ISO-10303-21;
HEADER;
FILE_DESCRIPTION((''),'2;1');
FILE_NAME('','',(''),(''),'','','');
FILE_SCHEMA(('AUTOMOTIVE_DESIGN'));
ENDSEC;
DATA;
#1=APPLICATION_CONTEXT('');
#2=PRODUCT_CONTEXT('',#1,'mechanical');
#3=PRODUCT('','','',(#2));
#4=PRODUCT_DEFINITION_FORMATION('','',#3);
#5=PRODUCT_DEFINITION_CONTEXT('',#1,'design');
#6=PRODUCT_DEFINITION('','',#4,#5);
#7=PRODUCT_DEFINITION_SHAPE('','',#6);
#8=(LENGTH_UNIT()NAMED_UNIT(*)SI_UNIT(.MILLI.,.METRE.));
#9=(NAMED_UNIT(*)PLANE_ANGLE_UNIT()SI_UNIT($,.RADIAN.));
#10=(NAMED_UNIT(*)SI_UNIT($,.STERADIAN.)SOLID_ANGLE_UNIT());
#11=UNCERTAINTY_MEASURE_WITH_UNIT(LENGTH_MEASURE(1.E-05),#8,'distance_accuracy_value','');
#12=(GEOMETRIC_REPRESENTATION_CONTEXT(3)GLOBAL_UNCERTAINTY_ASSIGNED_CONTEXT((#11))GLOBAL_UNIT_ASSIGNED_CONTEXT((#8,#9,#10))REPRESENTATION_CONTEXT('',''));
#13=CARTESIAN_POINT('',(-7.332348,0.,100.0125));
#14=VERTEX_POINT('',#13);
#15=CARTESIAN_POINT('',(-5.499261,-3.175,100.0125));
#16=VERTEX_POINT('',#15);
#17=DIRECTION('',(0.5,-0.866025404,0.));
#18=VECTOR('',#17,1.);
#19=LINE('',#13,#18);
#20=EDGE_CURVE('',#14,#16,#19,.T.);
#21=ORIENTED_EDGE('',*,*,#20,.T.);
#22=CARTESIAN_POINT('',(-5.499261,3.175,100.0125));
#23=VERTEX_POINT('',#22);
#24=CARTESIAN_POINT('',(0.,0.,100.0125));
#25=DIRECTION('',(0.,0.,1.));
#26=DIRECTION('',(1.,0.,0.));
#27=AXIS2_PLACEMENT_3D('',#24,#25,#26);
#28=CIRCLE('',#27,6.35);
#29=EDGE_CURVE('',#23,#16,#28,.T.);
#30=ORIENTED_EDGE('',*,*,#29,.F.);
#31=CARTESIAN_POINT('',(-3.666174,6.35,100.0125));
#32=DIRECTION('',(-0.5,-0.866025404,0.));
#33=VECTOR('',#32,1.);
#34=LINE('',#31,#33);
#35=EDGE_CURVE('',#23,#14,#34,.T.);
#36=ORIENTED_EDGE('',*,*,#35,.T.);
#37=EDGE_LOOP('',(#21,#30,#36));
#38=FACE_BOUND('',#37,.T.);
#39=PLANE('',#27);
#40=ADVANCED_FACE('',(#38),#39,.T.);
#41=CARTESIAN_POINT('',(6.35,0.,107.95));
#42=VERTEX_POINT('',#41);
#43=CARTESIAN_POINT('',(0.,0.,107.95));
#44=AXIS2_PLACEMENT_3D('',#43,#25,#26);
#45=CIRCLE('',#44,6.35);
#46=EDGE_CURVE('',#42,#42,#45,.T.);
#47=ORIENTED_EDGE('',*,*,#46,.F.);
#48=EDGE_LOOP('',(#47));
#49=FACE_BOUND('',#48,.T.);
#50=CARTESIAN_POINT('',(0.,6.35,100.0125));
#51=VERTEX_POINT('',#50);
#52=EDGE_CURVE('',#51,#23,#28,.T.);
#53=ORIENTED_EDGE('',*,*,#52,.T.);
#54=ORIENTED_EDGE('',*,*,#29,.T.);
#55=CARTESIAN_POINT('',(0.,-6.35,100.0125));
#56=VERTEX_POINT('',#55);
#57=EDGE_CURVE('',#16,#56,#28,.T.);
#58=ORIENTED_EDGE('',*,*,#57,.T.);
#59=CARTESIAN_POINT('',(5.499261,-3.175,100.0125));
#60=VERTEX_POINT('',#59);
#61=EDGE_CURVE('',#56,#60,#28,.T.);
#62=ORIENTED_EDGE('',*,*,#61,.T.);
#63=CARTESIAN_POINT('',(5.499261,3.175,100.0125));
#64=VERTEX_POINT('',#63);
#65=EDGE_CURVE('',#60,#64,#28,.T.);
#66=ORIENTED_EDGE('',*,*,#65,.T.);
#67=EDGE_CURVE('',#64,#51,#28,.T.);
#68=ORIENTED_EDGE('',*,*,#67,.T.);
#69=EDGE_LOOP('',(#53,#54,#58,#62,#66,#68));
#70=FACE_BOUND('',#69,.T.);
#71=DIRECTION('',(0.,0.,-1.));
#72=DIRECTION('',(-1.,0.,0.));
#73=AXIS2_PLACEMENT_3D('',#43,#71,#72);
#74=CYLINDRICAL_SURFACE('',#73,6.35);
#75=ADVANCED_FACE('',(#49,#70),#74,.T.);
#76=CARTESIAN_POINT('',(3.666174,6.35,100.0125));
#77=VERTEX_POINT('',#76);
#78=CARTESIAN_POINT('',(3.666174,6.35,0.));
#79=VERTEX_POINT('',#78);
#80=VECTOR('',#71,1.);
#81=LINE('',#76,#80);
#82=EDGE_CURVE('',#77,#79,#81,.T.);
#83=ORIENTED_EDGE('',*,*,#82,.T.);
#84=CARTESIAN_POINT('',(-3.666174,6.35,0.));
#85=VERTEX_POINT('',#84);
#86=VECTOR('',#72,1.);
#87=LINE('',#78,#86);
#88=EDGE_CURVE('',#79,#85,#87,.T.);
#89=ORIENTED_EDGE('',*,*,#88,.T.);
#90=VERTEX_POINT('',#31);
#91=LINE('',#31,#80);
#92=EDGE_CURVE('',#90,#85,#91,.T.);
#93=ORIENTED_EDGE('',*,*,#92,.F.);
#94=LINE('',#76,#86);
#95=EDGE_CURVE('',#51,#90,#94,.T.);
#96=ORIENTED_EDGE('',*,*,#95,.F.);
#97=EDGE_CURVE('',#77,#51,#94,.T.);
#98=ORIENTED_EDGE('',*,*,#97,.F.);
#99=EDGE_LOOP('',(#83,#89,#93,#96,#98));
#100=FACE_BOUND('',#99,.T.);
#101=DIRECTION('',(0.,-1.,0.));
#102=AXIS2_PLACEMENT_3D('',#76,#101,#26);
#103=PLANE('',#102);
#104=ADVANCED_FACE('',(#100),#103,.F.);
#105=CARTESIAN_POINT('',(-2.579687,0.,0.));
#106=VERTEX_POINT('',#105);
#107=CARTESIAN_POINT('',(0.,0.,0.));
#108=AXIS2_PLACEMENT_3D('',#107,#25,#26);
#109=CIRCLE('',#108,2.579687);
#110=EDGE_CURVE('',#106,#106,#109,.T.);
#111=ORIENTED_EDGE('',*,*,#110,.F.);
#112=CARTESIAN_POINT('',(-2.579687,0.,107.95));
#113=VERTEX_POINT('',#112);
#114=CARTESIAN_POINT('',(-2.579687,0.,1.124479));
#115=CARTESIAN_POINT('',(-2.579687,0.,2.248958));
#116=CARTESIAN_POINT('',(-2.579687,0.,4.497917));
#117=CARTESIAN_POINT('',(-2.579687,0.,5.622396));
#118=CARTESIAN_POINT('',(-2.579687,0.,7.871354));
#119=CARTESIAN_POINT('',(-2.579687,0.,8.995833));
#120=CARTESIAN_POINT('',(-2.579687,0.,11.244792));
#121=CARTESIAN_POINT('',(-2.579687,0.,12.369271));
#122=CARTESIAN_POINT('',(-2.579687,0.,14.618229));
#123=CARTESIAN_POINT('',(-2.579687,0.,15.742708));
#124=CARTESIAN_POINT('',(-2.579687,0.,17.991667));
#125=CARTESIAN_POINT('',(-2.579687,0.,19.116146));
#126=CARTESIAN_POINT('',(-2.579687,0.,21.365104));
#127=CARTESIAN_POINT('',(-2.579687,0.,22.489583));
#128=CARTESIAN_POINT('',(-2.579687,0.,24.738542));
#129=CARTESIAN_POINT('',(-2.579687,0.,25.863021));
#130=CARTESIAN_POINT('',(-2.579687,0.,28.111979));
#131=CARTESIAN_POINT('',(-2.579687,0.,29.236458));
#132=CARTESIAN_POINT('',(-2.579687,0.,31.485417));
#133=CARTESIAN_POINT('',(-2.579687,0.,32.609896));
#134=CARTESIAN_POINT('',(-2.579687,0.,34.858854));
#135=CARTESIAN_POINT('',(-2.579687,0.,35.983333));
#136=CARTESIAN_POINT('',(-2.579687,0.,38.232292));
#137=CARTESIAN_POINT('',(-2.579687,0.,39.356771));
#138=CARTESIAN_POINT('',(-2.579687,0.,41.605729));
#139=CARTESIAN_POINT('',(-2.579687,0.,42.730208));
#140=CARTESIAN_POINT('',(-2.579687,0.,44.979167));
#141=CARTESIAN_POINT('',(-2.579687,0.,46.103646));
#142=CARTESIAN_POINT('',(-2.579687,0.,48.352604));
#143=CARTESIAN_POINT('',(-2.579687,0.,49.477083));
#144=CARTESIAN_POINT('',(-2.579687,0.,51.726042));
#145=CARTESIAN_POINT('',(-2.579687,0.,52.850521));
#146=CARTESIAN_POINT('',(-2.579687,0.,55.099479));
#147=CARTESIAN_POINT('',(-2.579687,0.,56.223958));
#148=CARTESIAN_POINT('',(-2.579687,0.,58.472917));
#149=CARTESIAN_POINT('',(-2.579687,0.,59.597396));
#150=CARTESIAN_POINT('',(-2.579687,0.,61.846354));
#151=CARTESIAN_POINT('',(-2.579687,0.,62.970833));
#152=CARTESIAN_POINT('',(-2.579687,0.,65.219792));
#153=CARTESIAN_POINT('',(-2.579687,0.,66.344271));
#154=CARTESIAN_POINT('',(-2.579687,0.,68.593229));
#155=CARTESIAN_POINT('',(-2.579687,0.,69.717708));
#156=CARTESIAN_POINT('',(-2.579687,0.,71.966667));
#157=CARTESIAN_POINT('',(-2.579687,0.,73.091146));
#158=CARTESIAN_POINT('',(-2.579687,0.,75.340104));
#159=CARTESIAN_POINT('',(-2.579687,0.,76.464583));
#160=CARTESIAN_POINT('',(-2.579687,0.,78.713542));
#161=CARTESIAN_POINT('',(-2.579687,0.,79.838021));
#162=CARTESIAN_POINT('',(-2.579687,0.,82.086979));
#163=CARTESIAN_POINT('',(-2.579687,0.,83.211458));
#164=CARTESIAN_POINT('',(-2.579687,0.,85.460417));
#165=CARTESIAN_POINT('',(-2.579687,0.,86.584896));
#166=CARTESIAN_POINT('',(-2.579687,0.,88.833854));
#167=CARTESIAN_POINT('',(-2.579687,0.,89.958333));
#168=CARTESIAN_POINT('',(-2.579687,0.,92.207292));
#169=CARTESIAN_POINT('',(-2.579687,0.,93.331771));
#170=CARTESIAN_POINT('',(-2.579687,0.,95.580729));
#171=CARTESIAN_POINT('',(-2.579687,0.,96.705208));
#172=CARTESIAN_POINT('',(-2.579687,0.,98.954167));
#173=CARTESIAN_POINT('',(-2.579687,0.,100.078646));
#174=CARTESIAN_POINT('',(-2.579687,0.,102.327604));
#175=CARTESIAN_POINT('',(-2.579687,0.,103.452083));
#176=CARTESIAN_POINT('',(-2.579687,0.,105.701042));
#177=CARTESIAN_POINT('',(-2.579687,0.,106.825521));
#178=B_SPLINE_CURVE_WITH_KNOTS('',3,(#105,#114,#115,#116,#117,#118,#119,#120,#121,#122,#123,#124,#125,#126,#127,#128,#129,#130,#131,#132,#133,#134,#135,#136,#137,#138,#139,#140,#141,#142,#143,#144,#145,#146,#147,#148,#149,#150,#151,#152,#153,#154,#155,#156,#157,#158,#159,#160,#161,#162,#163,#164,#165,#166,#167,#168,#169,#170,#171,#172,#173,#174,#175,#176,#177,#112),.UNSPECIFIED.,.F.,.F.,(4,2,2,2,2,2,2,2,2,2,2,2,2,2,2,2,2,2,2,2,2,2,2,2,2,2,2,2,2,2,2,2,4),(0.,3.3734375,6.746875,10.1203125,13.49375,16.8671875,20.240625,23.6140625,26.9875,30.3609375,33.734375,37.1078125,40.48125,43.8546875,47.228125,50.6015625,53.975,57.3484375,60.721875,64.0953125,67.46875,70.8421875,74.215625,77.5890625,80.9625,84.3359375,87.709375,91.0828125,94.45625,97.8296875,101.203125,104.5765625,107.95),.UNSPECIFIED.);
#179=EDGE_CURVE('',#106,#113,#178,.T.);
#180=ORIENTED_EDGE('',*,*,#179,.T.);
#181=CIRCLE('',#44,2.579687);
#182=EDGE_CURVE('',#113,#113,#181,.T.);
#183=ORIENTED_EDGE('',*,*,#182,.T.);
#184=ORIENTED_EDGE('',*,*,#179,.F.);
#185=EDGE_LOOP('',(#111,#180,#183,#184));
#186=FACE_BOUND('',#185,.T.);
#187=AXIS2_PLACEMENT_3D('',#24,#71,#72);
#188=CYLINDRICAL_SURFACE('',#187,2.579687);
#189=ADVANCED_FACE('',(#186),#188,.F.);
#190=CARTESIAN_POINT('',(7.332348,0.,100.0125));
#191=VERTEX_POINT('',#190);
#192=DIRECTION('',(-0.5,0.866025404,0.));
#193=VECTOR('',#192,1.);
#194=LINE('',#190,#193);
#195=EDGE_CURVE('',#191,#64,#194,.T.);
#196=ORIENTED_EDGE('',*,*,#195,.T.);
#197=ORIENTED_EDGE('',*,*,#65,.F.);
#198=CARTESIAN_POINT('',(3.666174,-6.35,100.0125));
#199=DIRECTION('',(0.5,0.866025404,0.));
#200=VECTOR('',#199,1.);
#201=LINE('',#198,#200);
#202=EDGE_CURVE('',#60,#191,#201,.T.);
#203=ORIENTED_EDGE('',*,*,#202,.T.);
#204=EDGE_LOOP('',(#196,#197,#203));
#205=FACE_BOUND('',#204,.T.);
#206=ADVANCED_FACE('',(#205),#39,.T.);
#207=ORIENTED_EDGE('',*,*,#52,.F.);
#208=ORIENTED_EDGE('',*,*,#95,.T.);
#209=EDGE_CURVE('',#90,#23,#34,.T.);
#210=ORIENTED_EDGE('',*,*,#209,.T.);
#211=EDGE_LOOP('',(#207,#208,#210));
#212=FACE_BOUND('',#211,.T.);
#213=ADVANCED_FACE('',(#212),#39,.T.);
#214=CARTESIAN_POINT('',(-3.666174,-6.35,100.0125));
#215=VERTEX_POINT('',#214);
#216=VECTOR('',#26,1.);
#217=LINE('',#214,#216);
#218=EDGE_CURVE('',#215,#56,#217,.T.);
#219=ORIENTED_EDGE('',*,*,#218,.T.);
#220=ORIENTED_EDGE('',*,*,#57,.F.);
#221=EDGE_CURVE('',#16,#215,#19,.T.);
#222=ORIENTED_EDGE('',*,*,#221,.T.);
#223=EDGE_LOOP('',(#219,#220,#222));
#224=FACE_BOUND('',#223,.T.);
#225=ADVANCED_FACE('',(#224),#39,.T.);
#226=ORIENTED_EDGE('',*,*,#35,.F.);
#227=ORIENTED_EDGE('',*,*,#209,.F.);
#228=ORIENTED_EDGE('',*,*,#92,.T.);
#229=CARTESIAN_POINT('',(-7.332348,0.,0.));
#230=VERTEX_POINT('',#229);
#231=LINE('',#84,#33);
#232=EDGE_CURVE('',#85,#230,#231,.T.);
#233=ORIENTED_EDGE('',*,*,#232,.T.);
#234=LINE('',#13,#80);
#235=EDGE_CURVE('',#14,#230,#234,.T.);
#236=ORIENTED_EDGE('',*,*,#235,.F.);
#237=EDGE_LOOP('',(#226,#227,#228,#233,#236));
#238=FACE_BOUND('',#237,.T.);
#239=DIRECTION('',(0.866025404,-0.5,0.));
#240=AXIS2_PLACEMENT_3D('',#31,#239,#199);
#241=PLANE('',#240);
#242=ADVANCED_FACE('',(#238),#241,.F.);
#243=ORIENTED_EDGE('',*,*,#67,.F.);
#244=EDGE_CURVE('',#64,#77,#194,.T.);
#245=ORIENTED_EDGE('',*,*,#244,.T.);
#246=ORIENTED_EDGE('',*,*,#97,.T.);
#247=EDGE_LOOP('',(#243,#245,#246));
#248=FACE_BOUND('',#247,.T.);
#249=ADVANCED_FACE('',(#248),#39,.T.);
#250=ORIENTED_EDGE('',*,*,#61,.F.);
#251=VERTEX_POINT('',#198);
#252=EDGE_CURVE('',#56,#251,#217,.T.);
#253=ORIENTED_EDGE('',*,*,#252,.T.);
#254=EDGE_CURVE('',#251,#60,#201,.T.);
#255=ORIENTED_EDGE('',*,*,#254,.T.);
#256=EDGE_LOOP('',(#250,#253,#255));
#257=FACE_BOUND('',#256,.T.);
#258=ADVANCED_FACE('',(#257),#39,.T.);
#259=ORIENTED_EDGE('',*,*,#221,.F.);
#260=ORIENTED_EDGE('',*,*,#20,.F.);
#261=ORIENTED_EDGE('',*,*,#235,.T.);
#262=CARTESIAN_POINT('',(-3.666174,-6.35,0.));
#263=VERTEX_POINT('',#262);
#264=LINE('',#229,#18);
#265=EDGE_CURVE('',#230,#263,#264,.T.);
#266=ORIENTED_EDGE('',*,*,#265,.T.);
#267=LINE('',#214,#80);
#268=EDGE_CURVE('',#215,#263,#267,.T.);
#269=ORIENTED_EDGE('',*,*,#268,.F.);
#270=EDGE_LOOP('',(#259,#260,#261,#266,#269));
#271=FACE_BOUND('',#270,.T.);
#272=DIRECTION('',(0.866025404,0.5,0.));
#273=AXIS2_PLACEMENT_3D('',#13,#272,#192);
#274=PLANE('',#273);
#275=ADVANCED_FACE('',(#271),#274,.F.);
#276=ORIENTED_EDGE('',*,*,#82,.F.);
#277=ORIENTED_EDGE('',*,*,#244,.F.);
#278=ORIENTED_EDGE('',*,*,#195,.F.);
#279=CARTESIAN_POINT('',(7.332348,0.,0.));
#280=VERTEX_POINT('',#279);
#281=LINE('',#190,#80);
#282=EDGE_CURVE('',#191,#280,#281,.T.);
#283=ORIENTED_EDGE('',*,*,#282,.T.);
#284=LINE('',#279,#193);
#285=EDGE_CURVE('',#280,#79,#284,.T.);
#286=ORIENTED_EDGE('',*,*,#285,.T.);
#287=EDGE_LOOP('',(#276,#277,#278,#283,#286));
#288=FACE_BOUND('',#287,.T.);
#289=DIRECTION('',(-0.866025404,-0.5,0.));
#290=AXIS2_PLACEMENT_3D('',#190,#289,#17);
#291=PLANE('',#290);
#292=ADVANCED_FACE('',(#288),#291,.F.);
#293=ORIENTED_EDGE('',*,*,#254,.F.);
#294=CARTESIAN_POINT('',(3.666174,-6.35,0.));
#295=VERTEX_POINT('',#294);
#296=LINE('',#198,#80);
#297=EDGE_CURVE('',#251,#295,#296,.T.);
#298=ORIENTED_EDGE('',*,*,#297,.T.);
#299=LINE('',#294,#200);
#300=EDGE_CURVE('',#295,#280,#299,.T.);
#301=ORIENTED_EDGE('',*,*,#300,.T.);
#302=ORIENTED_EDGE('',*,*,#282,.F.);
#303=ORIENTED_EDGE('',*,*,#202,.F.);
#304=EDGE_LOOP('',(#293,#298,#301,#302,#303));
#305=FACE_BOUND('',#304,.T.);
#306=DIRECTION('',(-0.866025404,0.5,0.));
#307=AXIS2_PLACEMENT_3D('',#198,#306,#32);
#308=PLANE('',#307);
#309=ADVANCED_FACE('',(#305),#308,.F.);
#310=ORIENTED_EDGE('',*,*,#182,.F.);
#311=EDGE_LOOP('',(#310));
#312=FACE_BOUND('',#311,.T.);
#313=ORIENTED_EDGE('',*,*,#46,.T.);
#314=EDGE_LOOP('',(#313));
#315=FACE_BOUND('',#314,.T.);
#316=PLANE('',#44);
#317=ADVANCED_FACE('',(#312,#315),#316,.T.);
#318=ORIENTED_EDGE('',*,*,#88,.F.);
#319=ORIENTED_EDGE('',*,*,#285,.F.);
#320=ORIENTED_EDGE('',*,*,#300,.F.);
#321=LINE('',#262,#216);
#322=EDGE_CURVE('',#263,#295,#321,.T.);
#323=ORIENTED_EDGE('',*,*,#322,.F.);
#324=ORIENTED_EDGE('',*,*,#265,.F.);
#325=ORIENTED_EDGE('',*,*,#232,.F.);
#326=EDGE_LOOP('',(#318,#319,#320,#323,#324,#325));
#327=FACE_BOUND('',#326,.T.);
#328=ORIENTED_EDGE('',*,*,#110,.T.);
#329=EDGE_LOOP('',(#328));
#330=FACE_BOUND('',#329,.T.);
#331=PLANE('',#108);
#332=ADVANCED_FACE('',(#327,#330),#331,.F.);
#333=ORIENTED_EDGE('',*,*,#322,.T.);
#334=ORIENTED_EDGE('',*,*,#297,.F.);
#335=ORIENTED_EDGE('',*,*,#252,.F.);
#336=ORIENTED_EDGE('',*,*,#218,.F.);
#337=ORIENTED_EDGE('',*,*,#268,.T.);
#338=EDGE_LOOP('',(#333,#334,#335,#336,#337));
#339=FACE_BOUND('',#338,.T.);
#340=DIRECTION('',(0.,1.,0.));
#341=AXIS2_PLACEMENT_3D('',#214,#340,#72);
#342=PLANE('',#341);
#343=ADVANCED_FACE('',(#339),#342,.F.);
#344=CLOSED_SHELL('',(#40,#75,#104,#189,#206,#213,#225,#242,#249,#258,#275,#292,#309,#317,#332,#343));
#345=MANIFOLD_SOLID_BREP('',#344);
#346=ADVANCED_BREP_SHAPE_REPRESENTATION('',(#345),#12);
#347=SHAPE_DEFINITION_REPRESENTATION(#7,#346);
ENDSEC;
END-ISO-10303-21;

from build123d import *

# Parameters (mm, degrees)
SKETCH1_R           = 2.5796875
BOSS_EXTRUDE1_DEPTH = 100.0125
SKETCH2_R           = 6.35
SKETCH2_R_2         = 2.5796875
BOSS_EXTRUDE2_DEPTH = 7.9375


with BuildPart() as part:
    # Sketch1 → Boss-Extrude1 (new body)
    with BuildSketch(Plane.XY):
        Polygon((7.332348419, 0), (3.666174209, 6.35), (-3.666174209, 6.35), (-7.332348419, 0), (-3.666174209, -6.35), (3.666174209, -6.35), align=None)
        with Locations(Location((0, 0, 0), (0, 0, 180))):
            Circle(SKETCH1_R, mode=Mode.SUBTRACT)
    extrude(amount=BOSS_EXTRUDE1_DEPTH)

    # Sketch2 → Boss-Extrude2 (add)
    with BuildSketch(Plane.XY.offset(100.0125)):
        with Locations(Location((0, 0, 0), (0, 0, 150))):
            Circle(SKETCH2_R)
        with Locations(Location((0, 0, 0), (0, 0, 180))):
            Circle(SKETCH2_R_2, mode=Mode.SUBTRACT)
    extrude(amount=BOSS_EXTRUDE2_DEPTH)


solid = part.part
